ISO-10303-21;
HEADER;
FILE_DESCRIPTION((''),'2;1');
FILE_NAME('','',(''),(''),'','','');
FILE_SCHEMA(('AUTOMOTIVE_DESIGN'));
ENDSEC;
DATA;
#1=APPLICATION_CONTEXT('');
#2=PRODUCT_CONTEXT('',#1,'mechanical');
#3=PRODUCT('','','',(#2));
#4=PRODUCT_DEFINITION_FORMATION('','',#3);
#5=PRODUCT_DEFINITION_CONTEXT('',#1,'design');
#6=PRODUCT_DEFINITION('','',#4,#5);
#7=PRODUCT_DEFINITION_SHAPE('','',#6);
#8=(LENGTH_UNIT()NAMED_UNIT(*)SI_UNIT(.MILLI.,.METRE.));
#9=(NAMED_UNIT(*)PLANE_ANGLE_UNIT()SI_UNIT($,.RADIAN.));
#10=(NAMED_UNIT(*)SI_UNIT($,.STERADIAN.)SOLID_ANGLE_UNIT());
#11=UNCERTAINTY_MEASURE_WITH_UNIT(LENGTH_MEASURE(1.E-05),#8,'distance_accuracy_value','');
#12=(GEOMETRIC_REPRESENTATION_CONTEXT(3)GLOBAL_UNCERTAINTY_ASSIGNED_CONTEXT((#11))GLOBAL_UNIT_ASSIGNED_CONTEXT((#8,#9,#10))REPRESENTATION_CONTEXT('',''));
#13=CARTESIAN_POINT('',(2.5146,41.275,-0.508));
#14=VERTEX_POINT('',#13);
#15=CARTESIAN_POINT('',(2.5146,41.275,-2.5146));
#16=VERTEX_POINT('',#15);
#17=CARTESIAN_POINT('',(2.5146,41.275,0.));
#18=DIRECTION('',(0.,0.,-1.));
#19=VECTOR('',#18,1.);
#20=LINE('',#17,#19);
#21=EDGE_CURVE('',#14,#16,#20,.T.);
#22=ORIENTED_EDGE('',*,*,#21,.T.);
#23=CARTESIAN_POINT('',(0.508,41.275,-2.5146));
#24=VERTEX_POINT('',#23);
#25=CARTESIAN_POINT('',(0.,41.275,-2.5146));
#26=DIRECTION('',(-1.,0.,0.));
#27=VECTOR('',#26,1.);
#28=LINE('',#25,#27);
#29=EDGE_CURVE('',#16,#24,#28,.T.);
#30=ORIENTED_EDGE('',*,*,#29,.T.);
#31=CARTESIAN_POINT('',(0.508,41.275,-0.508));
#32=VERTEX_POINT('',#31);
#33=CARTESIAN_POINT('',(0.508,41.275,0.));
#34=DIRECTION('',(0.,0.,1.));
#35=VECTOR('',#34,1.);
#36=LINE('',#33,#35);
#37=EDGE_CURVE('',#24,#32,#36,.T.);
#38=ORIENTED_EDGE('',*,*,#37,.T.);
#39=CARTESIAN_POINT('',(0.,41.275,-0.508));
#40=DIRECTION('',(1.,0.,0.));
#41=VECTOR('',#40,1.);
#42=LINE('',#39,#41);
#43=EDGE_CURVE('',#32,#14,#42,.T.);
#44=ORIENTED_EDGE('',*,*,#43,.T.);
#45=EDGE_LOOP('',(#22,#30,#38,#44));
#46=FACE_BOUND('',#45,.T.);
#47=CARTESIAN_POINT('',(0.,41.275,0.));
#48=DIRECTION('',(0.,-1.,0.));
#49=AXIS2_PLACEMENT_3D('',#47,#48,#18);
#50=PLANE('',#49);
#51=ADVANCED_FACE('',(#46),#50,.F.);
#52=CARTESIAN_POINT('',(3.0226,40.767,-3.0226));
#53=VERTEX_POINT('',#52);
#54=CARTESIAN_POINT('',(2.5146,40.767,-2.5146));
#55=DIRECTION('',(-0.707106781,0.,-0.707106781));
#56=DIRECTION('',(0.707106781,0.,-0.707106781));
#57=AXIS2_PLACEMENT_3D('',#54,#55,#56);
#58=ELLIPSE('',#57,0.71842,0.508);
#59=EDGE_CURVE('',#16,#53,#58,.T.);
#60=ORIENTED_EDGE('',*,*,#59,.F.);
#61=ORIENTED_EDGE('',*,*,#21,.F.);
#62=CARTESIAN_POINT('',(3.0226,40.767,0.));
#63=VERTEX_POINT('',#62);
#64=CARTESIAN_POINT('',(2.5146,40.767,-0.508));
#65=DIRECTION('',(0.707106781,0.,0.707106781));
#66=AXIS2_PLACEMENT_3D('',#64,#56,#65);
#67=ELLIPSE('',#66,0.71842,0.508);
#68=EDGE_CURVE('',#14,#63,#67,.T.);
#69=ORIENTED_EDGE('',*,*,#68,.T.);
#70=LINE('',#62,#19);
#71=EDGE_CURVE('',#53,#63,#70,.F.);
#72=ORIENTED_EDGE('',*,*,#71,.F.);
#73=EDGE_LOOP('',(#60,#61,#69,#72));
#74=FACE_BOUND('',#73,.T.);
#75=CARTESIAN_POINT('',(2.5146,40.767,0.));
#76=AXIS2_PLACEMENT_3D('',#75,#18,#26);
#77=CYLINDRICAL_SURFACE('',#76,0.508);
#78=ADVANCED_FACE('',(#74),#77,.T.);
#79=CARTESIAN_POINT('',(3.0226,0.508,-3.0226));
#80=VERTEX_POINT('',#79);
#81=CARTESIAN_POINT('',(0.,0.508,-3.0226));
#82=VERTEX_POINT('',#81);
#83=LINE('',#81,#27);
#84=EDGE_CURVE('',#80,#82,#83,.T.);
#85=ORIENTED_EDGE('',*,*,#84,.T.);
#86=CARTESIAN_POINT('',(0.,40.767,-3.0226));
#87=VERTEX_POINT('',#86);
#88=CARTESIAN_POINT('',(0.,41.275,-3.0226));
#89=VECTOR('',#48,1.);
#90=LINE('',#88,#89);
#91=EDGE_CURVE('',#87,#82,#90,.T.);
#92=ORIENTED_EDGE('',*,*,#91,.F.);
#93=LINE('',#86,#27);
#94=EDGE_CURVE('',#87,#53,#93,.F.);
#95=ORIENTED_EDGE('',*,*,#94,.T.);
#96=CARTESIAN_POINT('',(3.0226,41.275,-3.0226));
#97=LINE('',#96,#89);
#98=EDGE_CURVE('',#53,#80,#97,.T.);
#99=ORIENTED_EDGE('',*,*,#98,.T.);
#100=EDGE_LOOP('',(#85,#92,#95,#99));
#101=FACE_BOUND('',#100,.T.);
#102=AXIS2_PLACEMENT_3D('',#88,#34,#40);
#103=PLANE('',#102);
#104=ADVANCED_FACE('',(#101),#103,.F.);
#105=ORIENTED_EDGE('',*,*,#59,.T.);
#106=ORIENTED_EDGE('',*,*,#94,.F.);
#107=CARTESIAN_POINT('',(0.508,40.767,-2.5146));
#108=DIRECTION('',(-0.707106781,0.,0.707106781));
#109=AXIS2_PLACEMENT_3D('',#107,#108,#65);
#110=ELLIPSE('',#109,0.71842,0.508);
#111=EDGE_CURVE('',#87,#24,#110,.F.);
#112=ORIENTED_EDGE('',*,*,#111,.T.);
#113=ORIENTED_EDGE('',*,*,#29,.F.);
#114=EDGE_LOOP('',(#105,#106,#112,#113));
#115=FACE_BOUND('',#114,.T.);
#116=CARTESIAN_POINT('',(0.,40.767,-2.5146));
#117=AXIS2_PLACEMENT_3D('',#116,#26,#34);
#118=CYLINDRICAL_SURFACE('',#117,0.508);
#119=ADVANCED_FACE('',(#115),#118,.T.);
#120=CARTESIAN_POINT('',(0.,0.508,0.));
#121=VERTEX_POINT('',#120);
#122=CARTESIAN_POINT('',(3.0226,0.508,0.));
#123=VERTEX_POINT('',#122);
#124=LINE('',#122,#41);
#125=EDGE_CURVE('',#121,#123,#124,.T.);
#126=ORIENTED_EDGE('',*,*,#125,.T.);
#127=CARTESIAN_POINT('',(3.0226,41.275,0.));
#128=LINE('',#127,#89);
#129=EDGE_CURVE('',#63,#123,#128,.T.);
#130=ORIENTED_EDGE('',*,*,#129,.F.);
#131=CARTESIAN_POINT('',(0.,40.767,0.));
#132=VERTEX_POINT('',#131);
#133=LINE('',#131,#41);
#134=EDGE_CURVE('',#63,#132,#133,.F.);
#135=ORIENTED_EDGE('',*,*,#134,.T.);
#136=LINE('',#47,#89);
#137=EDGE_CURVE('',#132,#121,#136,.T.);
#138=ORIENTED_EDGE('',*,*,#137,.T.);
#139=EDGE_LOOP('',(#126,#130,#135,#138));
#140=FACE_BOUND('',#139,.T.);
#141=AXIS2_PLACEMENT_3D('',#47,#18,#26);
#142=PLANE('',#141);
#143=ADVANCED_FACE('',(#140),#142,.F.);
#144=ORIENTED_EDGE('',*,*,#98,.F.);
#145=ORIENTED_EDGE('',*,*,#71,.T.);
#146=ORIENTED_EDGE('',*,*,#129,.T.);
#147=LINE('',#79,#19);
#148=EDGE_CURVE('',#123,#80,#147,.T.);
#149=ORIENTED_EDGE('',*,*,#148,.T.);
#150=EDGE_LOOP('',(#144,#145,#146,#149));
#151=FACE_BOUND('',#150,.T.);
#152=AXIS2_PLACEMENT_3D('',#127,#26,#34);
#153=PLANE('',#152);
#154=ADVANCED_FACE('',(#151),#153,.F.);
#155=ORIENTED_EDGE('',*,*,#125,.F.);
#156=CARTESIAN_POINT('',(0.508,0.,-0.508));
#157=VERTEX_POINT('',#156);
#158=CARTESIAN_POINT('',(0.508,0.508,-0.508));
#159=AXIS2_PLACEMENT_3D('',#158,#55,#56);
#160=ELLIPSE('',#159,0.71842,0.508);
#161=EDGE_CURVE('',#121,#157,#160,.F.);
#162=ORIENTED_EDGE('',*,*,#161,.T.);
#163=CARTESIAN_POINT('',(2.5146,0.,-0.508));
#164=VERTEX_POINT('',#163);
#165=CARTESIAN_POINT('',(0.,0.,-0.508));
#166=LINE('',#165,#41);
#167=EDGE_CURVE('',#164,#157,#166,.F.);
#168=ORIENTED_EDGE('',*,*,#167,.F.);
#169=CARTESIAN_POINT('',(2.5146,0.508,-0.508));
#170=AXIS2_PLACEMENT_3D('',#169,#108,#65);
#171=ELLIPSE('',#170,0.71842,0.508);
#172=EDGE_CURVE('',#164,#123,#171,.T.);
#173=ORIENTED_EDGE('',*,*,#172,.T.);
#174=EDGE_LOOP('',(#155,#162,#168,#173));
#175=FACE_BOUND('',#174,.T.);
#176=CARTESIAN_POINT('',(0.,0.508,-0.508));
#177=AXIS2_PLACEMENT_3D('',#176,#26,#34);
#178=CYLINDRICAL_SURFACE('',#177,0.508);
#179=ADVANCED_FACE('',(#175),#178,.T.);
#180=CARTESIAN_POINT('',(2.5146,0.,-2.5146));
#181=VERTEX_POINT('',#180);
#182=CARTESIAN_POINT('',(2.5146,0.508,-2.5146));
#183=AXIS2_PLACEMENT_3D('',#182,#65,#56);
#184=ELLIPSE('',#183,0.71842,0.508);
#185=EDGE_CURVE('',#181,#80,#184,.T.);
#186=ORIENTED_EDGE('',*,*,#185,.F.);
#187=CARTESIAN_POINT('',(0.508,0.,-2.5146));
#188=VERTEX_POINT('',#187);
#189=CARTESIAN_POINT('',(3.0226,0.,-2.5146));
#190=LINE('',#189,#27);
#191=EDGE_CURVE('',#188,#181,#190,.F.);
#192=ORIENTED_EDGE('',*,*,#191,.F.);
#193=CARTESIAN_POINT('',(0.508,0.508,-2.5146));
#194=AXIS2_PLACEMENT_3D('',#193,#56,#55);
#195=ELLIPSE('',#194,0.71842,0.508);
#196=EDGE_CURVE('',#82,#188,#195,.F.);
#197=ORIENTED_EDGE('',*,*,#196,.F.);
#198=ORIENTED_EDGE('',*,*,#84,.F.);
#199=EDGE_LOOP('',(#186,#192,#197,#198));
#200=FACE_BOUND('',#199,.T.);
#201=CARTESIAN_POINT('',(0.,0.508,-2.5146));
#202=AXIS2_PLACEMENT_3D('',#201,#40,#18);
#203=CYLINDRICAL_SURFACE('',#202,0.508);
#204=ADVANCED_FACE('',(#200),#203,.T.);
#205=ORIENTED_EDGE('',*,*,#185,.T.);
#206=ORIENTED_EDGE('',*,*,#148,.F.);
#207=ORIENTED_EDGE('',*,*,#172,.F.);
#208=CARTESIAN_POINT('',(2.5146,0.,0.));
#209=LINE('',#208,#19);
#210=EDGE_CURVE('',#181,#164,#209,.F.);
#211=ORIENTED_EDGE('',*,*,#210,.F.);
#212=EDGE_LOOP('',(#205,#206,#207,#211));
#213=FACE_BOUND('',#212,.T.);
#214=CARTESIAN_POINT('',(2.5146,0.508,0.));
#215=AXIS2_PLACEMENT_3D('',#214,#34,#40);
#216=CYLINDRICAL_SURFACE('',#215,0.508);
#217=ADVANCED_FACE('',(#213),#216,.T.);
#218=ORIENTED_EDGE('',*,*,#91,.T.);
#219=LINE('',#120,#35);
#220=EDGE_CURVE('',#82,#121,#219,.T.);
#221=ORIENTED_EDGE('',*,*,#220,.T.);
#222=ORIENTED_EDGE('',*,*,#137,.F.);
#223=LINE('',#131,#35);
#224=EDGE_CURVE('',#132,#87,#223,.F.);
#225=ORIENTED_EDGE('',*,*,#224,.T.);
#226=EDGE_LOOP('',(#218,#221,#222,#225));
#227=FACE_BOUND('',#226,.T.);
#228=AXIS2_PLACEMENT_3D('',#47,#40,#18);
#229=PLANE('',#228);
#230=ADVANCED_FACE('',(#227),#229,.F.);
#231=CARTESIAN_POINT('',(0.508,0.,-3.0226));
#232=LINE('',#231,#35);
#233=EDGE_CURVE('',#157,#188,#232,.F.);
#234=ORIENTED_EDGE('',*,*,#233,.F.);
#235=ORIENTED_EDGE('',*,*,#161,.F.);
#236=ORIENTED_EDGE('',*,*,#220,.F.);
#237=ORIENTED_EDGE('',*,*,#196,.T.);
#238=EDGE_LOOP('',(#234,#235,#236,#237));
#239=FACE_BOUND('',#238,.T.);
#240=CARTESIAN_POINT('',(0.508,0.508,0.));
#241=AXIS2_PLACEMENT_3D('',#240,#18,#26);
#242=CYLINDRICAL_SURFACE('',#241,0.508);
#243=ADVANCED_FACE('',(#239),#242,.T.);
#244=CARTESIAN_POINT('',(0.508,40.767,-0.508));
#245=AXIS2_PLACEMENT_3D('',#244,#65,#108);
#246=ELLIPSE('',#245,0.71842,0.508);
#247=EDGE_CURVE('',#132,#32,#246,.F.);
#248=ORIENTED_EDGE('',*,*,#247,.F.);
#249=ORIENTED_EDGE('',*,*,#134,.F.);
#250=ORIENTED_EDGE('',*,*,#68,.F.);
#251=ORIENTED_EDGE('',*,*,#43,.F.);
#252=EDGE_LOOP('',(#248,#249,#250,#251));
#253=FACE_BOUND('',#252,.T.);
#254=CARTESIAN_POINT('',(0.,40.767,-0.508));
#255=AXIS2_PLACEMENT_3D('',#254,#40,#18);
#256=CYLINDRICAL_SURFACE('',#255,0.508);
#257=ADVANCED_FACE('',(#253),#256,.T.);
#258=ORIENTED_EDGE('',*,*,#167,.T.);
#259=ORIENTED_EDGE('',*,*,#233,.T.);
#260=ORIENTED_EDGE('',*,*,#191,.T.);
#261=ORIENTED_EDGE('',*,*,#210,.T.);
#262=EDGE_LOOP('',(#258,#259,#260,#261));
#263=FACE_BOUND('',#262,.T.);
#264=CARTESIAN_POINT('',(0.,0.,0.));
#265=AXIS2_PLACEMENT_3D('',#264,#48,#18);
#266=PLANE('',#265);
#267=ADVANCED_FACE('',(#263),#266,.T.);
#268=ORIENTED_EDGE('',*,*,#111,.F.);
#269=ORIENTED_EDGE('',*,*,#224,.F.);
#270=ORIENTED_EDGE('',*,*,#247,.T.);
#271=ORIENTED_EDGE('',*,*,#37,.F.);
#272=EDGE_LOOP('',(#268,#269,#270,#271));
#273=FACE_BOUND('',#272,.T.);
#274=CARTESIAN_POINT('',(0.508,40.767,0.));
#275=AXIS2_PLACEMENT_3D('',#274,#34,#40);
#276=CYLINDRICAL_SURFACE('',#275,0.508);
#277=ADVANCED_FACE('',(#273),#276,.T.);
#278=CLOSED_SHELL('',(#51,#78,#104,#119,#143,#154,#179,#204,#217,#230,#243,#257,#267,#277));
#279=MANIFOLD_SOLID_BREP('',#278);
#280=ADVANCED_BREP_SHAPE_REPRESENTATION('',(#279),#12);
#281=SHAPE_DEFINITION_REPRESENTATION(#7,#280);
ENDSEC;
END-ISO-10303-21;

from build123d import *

# Parameters (mm, degrees)
SKETCH1_W           = 3.0226
SKETCH1_H           = 3.0226
BOSS_EXTRUDE1_DEPTH = 41.275
FILLET1_R           = 0.508


with BuildPart() as part:
    # Sketch1 → Boss-Extrude1 (new body)
    with BuildSketch(Plane(origin=(0, 0, 0), x_dir=(1, 0, 0), z_dir=(0, 1, 0))):
        with Locations((1.5113, 1.5113)):
            Rectangle(SKETCH1_W, SKETCH1_H)
    extrude(amount=BOSS_EXTRUDE1_DEPTH)

    # Fillet1
    fillet1_edges = [part.edges().sort_by_distance(p)[0] for p in [
        (3.0226, 41.275, -1.5113),
        (1.5113, 41.275, -3.0226),
        (0, 41.275, -1.5113),
        (1.5113, 0, -3.0226),
        (3.0226, 0, -1.5113),
        (1.5113, 0, 0),
        (0, 0, -1.5113),
        (1.5113, 41.275, 0),
    ]]
    fillet(fillet1_edges, radius=FILLET1_R)


solid = part.part
